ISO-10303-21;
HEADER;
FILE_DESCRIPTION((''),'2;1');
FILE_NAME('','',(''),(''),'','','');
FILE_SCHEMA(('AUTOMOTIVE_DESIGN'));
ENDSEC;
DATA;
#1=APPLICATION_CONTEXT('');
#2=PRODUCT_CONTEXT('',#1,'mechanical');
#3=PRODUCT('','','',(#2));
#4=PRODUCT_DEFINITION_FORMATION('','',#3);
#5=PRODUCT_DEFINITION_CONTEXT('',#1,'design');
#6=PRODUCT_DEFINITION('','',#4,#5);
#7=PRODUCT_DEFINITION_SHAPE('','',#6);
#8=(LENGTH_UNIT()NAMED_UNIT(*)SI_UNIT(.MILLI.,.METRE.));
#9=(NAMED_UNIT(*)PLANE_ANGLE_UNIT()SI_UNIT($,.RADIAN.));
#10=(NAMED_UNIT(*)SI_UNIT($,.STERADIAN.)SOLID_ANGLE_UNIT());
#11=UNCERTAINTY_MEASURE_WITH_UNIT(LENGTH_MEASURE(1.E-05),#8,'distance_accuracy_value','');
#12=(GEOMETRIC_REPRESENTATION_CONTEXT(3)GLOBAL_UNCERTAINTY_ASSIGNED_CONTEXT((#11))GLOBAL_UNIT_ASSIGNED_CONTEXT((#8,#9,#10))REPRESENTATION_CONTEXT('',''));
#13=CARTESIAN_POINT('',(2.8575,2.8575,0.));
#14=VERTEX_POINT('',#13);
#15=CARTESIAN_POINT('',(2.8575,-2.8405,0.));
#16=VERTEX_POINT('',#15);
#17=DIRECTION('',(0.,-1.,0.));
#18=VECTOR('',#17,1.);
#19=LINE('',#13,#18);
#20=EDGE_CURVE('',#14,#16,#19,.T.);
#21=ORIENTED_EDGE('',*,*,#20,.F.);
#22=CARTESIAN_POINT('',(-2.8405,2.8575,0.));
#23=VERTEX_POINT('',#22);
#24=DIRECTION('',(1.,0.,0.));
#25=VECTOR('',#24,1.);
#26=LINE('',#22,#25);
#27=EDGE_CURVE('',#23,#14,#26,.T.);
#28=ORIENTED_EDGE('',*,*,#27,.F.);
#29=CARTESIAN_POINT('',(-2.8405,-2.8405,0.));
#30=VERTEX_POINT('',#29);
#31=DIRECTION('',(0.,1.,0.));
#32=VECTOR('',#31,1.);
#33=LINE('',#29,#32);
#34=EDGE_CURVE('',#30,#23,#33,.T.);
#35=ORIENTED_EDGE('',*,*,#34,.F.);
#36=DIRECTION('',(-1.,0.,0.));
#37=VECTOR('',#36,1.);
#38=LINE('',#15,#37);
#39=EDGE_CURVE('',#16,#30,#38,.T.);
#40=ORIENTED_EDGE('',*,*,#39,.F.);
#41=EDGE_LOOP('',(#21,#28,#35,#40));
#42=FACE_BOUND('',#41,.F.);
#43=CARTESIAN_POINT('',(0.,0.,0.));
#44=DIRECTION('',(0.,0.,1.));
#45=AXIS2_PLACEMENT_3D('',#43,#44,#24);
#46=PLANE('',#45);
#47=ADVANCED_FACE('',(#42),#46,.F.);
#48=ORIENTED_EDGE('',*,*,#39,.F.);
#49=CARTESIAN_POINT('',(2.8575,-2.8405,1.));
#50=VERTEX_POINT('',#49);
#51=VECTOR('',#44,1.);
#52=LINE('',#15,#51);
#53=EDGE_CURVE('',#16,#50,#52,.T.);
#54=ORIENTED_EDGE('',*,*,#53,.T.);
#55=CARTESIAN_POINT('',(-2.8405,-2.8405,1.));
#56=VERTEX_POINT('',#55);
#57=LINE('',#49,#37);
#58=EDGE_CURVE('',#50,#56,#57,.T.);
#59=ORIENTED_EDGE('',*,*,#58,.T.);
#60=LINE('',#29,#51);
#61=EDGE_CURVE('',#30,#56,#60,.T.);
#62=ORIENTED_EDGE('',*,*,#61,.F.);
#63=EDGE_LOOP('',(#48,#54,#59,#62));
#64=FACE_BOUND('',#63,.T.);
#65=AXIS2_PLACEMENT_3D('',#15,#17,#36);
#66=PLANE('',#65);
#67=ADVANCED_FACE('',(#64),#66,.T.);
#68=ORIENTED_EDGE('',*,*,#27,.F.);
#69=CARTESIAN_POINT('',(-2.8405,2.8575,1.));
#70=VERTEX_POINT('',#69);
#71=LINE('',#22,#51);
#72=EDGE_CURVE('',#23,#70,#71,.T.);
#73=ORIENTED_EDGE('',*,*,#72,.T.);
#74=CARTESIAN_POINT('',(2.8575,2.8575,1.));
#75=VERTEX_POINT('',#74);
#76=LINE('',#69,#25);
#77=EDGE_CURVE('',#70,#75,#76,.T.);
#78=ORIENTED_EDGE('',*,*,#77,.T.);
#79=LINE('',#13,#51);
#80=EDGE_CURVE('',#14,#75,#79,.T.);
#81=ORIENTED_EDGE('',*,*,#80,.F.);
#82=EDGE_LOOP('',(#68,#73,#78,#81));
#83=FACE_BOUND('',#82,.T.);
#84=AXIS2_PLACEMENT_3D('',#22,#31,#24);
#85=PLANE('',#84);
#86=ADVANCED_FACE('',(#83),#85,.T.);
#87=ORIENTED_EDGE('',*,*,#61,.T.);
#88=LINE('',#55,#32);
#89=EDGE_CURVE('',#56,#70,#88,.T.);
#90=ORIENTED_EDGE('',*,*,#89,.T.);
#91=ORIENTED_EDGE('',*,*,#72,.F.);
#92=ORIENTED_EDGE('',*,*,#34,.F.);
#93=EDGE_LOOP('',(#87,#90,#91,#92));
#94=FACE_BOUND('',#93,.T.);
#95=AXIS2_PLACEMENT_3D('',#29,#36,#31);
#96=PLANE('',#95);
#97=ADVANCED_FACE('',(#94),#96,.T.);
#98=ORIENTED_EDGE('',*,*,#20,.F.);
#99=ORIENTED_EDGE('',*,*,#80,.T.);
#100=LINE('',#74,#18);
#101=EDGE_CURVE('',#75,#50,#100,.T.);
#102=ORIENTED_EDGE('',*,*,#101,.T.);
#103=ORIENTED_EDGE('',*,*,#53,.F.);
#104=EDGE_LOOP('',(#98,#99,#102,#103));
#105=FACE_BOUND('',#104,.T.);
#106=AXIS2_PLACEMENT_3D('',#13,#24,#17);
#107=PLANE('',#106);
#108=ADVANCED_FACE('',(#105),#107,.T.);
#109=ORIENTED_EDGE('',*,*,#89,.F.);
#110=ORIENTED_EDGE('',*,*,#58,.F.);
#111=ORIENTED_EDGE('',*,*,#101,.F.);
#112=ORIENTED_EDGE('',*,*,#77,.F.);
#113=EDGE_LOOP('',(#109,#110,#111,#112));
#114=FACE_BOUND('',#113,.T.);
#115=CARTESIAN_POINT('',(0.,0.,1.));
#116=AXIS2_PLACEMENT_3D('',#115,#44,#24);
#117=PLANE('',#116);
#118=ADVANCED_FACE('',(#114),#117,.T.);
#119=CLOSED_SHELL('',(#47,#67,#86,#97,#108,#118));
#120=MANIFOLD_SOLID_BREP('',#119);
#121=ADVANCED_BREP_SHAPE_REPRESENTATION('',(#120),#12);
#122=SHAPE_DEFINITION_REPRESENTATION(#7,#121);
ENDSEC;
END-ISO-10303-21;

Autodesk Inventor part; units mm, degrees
ref_plane "YZ Plane" through (0, 0, 0) normal (1, 0, 0) x (0, 1, 0)
ref_plane "XZ Plane" through (0, 0, 0) normal (0, 1, 0) x (-1, 0, 0)
ref_plane "XY Plane" through (0, 0, 0) normal (0, 0, 1) x (1, 0, 0)
sketch "QFN32_050050, Atmega32u2_285" plane through (0, 0, 0) normal (0, 0, 1) x (1, 0, 0)
  line L0 (-2.8405, -2.8405) -> (-2.8405, 2.8575)
  line L1 (-2.8405, 2.8575) -> (2.8575, 2.8575)
  line L2 (2.8575, 2.8575) -> (2.8575, -2.8405)
  line L3 (2.8575, -2.8405) -> (-2.8405, -2.8405)
extrude "Extrusion1" add sketch "QFN32_050050, Atmega32u2_285" along normal blind 1
properties part number "Atmega32u2"
